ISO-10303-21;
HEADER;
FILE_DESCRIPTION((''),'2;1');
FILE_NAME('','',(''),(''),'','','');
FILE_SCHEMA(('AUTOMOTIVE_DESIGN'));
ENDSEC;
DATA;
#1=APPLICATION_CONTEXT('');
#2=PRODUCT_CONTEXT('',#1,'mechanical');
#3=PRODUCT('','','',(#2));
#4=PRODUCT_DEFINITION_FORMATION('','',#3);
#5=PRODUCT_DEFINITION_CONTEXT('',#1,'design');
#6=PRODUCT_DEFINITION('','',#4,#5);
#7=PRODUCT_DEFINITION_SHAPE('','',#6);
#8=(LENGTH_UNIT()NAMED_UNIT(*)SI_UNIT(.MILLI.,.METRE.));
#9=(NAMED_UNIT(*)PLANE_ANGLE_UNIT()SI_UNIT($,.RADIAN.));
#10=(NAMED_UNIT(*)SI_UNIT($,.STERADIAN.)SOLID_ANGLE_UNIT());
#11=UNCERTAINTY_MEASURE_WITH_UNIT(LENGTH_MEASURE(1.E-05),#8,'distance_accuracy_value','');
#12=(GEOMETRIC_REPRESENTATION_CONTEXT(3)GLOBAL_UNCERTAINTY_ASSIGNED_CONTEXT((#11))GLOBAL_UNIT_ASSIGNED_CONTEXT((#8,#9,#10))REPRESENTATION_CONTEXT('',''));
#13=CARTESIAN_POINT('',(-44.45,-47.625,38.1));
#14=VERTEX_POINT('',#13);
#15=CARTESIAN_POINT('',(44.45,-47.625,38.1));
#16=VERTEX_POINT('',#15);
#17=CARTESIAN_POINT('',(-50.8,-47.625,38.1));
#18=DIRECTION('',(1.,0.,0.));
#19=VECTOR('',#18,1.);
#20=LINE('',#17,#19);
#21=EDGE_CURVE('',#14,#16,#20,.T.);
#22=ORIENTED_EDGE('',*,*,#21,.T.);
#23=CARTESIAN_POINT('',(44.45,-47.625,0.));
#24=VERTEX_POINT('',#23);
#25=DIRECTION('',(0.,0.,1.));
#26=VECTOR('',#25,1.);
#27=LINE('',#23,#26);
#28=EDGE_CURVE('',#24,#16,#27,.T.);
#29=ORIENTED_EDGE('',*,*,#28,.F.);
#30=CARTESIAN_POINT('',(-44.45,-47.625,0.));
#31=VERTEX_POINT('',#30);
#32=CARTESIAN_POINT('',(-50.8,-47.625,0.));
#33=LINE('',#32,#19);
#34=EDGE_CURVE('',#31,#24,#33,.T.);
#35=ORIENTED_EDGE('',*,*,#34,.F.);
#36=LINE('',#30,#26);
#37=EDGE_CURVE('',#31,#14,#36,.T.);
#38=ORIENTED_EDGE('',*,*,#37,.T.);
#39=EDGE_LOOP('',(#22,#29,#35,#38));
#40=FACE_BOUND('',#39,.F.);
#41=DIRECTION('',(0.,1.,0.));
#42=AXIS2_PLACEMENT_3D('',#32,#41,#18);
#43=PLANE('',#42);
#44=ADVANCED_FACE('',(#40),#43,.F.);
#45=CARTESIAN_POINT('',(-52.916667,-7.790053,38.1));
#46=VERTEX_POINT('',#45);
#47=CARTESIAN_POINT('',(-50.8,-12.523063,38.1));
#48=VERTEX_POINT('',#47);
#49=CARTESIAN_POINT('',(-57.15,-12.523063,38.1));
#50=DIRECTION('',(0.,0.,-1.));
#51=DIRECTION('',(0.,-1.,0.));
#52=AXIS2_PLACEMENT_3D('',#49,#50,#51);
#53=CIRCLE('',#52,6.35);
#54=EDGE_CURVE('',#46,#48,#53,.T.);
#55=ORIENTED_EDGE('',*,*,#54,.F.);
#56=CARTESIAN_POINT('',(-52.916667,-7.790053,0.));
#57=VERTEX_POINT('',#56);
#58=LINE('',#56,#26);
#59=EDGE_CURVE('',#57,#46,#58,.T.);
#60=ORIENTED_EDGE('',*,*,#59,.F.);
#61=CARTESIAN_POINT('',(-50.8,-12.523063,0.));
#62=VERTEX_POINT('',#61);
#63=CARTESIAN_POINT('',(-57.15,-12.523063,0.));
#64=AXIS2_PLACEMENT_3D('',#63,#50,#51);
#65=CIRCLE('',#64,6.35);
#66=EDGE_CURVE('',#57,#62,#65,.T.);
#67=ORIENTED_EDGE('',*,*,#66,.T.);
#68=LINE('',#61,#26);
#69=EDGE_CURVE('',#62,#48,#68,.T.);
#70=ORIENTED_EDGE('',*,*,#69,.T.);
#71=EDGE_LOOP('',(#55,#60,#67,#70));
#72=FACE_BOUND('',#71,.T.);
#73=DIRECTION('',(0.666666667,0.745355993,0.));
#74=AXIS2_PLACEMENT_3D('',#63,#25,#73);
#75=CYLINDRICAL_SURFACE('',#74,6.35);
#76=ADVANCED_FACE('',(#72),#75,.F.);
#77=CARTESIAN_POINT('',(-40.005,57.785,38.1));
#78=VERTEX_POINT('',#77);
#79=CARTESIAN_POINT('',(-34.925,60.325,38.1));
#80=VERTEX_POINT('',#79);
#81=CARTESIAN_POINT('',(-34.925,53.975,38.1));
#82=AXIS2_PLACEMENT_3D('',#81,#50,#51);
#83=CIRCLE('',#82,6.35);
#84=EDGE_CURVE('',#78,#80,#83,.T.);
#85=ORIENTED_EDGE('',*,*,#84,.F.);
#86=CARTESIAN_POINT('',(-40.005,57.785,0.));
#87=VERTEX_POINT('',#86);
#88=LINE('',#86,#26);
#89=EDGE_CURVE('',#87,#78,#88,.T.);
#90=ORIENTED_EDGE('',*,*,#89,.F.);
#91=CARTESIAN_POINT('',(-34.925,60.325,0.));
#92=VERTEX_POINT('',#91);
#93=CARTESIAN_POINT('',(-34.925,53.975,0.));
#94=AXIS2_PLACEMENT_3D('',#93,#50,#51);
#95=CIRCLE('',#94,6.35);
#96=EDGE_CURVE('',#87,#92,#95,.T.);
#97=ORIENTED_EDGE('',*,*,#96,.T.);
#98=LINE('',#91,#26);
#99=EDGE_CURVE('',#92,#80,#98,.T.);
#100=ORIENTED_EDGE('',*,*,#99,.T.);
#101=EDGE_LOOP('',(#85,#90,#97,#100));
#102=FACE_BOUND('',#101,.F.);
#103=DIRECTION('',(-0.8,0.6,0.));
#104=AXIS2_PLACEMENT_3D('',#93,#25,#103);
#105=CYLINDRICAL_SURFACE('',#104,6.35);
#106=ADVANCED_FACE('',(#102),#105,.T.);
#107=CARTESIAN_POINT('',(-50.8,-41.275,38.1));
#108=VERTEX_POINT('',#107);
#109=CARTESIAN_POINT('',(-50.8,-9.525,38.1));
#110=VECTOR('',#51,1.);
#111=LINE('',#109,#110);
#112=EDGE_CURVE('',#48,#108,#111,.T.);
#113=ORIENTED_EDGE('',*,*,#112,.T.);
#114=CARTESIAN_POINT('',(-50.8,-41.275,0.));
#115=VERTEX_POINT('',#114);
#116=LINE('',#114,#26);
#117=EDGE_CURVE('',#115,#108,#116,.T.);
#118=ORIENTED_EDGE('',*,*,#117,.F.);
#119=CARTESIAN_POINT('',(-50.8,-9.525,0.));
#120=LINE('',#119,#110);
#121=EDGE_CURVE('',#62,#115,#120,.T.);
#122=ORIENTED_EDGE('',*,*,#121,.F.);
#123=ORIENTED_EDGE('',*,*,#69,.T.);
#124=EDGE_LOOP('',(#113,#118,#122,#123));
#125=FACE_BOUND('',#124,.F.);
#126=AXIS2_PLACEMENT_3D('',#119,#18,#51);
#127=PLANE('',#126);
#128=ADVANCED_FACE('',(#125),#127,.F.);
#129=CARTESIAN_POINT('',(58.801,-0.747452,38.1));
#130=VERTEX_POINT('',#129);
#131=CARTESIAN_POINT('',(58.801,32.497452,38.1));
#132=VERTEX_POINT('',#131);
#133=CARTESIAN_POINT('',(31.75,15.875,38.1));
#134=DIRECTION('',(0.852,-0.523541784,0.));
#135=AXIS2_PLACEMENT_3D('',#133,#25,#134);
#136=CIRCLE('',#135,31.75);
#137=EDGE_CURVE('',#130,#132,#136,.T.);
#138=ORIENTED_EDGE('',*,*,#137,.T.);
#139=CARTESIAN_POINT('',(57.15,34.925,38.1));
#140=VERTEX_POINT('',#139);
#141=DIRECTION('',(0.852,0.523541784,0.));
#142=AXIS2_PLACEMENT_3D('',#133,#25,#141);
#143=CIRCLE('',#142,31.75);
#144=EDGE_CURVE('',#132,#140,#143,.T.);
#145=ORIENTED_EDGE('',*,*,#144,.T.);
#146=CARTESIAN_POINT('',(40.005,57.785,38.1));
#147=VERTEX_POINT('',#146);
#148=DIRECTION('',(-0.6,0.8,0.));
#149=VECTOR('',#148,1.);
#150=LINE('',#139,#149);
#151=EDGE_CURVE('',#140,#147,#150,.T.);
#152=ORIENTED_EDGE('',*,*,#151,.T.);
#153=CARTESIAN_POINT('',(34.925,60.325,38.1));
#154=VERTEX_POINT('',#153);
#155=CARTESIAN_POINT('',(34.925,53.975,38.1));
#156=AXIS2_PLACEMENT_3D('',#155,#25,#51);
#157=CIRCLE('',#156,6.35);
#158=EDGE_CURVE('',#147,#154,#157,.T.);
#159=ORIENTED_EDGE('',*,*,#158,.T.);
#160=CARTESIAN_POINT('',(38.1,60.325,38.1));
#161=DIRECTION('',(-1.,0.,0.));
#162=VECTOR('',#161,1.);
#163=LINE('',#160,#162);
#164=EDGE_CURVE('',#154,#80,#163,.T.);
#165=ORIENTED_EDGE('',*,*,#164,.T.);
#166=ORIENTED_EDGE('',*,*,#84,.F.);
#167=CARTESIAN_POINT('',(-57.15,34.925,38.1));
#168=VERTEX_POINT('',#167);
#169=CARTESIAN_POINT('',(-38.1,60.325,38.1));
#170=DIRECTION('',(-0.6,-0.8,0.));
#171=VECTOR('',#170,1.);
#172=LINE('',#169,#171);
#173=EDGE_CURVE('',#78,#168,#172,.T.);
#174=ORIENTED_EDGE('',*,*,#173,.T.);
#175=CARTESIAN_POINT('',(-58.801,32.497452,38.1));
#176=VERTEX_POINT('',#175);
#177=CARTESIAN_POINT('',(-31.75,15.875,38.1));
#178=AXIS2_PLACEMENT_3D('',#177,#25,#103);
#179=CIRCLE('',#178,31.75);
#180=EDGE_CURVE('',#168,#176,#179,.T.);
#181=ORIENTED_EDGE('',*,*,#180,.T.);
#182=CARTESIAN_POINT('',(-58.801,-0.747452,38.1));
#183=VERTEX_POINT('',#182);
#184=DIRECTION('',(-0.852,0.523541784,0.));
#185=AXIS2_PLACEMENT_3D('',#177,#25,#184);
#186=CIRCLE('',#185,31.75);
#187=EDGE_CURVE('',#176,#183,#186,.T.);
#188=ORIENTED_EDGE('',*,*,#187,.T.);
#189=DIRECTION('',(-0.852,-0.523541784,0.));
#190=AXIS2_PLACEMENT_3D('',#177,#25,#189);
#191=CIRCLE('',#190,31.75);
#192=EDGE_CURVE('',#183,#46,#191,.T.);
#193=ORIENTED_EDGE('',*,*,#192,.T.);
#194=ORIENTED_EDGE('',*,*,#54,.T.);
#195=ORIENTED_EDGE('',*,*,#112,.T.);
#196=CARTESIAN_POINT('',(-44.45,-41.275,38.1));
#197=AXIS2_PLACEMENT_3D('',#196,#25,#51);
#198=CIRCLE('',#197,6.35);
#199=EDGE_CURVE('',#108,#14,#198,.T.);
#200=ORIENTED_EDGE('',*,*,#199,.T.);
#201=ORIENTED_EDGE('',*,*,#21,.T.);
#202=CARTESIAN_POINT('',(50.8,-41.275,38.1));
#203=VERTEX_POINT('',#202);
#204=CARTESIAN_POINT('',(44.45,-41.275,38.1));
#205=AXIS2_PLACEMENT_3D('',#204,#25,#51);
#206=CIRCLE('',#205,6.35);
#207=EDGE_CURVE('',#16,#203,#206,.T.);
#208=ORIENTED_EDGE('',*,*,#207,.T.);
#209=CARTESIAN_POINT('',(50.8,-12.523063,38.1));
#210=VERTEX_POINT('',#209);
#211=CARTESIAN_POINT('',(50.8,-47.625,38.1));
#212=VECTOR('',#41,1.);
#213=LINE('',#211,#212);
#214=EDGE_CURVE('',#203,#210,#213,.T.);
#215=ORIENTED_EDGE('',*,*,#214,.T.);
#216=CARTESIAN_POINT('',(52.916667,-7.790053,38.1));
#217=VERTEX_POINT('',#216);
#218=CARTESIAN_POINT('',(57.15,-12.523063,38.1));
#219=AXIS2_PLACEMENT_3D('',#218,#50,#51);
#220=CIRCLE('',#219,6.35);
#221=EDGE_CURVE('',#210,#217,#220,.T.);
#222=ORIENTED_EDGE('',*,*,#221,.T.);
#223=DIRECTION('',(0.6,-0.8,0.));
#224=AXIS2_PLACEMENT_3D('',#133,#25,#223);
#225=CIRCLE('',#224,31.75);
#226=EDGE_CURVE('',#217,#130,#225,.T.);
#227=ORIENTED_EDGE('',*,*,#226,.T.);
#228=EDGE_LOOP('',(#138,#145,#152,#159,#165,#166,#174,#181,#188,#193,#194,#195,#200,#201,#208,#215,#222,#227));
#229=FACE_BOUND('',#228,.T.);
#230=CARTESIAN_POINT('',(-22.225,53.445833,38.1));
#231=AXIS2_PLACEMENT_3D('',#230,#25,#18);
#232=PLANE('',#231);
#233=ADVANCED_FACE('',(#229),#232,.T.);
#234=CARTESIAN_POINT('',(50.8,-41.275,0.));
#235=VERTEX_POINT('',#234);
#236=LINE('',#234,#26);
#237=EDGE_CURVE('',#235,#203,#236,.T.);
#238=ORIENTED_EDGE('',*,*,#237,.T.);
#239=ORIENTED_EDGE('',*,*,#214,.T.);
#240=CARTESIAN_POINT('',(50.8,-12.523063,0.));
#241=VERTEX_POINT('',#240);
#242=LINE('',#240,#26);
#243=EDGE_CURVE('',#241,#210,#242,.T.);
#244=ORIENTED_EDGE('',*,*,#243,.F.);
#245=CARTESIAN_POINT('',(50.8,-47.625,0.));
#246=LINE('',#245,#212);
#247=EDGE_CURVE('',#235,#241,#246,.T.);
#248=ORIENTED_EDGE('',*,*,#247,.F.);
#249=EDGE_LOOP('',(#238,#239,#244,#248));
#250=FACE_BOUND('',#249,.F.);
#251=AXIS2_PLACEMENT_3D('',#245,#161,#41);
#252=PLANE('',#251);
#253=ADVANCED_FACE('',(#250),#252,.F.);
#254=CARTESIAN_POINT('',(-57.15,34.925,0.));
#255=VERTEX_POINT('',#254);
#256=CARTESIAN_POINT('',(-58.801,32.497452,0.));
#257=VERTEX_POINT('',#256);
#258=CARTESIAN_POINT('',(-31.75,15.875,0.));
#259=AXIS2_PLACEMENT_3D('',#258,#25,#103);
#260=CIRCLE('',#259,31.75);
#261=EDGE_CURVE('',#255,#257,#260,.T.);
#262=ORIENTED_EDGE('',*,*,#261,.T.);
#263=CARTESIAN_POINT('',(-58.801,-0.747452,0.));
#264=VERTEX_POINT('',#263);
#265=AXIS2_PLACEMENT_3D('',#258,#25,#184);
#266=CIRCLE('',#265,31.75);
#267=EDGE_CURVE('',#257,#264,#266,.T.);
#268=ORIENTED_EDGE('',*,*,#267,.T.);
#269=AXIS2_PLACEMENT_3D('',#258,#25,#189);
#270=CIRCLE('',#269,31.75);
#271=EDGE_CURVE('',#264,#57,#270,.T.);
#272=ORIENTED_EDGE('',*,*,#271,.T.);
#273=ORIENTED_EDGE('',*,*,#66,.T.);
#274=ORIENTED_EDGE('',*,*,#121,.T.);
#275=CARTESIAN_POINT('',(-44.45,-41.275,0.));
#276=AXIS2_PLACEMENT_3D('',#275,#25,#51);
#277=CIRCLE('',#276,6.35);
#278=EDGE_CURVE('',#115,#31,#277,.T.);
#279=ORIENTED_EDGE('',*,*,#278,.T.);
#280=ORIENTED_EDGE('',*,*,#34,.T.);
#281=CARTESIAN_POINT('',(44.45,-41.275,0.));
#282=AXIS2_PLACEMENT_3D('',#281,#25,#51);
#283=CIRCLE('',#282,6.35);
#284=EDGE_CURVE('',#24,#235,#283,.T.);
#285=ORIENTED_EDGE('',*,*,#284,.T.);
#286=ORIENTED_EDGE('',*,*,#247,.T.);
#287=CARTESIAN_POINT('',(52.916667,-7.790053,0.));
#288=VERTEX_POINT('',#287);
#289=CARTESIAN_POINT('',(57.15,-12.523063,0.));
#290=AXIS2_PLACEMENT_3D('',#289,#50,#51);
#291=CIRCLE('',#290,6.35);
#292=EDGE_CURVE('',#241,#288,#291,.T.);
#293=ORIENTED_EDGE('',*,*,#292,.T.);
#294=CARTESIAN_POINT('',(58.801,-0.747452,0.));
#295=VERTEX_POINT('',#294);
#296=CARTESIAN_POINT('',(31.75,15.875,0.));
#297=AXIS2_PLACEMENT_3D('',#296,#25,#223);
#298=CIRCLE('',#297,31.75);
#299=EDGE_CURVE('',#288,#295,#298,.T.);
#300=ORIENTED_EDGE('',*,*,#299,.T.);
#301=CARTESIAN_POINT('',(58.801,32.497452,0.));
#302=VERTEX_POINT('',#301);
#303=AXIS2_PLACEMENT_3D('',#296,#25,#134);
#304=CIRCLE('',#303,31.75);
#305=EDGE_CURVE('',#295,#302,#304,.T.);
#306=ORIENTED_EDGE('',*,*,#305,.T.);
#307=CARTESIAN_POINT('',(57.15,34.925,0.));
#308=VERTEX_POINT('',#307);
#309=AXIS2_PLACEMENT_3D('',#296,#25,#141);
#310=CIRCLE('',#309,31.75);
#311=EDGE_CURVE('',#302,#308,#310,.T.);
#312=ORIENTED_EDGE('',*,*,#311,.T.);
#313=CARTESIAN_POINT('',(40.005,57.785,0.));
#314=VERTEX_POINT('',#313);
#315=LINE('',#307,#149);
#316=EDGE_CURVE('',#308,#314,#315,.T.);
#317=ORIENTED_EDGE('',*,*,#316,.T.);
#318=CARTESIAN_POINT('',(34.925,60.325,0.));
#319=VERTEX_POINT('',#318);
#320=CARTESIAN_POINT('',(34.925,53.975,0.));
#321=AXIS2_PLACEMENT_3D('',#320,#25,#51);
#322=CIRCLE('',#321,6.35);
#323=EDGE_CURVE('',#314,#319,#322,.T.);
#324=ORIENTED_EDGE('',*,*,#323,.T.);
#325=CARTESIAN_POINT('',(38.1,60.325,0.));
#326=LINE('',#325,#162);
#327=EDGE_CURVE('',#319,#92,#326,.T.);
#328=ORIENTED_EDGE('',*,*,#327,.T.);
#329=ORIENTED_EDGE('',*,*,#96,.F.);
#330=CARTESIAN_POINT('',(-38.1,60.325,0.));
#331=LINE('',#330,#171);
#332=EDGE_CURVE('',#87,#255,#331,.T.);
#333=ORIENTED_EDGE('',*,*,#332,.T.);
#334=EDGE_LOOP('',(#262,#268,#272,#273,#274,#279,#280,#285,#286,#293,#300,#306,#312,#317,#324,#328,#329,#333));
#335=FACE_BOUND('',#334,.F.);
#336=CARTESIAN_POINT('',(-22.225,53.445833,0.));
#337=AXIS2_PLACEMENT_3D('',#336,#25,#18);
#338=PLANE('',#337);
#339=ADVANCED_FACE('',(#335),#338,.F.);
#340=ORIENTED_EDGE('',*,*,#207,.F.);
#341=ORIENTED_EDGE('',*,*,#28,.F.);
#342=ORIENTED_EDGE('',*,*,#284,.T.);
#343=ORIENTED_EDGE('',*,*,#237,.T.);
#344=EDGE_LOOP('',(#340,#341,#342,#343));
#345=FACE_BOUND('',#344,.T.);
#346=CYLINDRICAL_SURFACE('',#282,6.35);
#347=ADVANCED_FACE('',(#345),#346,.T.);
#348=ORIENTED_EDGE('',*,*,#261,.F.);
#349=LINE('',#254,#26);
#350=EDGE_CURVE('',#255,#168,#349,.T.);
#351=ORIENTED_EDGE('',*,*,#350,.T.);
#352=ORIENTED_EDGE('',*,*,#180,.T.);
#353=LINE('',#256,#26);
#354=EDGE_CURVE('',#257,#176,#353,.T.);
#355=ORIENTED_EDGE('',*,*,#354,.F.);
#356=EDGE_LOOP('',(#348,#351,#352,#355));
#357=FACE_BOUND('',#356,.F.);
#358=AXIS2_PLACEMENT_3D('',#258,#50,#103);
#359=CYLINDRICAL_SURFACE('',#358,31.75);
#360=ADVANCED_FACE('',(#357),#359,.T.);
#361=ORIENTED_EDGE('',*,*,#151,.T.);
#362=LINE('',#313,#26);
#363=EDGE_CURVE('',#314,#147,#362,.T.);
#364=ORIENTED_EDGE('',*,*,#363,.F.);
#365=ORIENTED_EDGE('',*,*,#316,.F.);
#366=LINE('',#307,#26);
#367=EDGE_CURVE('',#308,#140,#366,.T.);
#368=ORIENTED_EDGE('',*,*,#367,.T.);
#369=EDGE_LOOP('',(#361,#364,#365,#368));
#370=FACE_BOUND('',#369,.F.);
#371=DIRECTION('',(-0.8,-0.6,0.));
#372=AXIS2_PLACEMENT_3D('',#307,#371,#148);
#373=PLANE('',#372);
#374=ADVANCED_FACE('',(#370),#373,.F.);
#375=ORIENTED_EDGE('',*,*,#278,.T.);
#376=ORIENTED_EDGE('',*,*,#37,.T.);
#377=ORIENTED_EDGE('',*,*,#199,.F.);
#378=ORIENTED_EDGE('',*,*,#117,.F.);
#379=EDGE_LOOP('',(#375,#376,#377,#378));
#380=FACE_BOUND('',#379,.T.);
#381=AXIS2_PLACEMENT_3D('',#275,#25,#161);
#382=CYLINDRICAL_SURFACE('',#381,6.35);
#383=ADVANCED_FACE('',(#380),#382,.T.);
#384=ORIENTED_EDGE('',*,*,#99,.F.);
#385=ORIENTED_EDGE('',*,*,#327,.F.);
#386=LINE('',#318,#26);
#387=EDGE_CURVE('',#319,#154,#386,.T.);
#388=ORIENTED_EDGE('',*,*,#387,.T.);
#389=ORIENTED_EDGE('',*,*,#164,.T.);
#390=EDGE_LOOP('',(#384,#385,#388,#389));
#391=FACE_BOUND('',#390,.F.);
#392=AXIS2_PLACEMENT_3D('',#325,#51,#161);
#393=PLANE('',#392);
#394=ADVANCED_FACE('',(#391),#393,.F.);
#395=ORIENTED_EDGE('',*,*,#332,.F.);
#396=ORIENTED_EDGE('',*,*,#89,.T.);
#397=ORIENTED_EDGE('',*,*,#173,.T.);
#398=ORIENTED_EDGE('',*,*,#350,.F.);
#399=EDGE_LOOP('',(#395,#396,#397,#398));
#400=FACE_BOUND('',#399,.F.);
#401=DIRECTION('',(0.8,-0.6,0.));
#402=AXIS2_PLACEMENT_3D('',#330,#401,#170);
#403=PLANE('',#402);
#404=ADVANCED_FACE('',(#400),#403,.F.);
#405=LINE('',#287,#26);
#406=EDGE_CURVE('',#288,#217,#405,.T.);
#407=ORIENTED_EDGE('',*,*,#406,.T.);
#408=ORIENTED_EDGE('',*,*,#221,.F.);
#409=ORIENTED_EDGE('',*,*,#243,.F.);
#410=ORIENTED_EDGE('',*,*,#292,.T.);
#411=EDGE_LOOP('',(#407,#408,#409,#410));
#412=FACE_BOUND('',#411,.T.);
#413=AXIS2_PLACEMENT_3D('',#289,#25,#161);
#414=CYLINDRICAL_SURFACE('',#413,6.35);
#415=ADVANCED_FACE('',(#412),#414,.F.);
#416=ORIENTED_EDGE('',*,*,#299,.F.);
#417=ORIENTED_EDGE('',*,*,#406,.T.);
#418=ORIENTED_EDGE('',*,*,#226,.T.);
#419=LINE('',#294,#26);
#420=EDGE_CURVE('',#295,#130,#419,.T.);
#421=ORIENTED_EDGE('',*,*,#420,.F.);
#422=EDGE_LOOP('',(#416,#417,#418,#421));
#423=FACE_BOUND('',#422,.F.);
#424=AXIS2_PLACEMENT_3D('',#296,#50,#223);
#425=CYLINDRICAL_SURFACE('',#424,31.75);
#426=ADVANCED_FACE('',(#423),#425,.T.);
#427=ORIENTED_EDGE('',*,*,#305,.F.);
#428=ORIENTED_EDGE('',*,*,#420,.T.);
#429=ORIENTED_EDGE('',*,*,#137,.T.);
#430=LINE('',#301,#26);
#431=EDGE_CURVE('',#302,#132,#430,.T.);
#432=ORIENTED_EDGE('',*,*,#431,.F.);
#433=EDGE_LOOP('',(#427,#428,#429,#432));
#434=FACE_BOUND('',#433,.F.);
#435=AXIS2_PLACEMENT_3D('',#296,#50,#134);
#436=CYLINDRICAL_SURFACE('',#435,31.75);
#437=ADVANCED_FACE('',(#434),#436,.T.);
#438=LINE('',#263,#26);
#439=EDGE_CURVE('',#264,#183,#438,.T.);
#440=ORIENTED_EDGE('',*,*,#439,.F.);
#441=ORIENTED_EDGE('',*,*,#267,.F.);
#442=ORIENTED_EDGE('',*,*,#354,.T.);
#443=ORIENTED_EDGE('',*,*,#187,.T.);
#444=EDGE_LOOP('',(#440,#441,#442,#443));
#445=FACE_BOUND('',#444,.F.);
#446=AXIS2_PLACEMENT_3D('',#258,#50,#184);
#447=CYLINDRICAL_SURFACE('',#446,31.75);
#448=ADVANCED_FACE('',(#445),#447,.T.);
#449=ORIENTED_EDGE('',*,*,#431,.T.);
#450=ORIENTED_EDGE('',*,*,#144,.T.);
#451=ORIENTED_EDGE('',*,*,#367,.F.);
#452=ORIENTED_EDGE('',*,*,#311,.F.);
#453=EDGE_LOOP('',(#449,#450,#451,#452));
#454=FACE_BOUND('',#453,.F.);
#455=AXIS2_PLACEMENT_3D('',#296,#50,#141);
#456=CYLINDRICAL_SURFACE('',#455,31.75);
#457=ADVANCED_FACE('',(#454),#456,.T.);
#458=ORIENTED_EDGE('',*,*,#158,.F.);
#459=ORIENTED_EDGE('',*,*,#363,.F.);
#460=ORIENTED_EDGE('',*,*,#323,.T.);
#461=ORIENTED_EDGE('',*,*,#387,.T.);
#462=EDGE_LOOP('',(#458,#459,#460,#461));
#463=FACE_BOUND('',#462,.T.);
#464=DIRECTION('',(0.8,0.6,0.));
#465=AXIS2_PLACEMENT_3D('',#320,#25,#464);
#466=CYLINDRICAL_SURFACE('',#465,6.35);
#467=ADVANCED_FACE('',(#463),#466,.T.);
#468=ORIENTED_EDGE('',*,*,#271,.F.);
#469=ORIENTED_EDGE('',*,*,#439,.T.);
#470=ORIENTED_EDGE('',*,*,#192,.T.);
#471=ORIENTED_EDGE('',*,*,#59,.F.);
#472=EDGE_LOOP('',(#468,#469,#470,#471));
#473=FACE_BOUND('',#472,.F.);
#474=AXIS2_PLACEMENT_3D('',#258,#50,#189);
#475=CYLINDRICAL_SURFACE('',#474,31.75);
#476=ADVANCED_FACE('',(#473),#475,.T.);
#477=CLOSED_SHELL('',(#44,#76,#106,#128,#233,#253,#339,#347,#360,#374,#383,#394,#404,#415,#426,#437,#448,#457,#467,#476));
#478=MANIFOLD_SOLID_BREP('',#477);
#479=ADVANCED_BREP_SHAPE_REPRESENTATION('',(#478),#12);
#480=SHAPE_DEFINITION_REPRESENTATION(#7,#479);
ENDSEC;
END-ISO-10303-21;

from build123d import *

# Parameters (mm, degrees)
F1_DEPTH = 38.1
F2_R     = 6.35


with BuildPart() as f1:
    # F0 (on Top) → F1 (new body)
    with BuildSketch(Plane.XY):
        Polygon((-31.75, 47.625), (0, 47.625), (0, 60.325), (-38.1, 60.325), (-47.625, 47.625), align=None)
        Polygon((0, 47.625), (31.75, 47.625), (47.625, 47.625), (38.1, 60.325), (0, 60.325), align=None)
        with BuildLine():
            ThreePointArc((-57.15, 34.925), (-45.9490316571, 44.2730633142), (-31.75, 47.625))
            Line((-31.75, 47.625), (-47.625, 47.625))
            Line((-47.625, 47.625), (-57.15, 34.925))
        make_face()
        with BuildLine():
            Line((0, 34.925), (0, 47.625))
            Line((0, 47.625), (-31.75, 47.625))
            ThreePointArc((-31.75, 47.625), (-45.9490316571, 44.2730633142), (-57.15, 34.925))
            Line((-57.15, 34.925), (0, 34.925))
        make_face()
        with BuildLine():
            ThreePointArc((57.15, 34.925), (45.9490316571, 44.2730633142), (31.75, 47.625))
            Line((31.75, 47.625), (0, 47.625))
            Line((0, 47.625), (0, 34.925))
            Line((0, 34.925), (57.15, 34.925))
        make_face()
        with BuildLine():
            Line((47.625, 47.625), (31.75, 47.625))
            ThreePointArc((31.75, 47.625), (45.9490316571, 44.2730633142), (57.15, 34.925))
            Line((57.15, 34.925), (47.625, 47.625))
        make_face()
        with BuildLine():
            ThreePointArc((58.801, 32.4974516543), (58.0035730519, 33.7303185916), (57.15, 34.925))
            Line((57.15, 34.925), (0, 34.925))
            Line((0, 34.925), (-57.15, 34.925))
            ThreePointArc((-57.15, 34.925), (-58.0035730519, 33.7303185916), (-58.801, 32.4974516543))
            Line((-58.801, 32.4974516543), (-58.801, -0.7474516543))
            ThreePointArc((-58.801, -0.7474516543), (-55.2145879783, -5.513679506), (-50.8, -9.525))
            Line((-50.8, -9.525), (-50.8, -47.625))
            Line((-50.8, -47.625), (0, -47.625))
            Line((0, -47.625), (50.8, -47.625))
            Line((50.8, -47.625), (50.8, -9.525))
            ThreePointArc((50.8, -9.525), (55.2145879783, -5.513679506), (58.801, -0.7474516543))
            Line((58.801, -0.7474516543), (58.801, 32.4974516543))
        make_face()
        with BuildLine():
            ThreePointArc((58.801, -0.7474516543), (63.5, 15.875), (58.801, 32.4974516543))
            Line((58.801, 32.4974516543), (58.801, -0.7474516543))
        make_face()
        with BuildLine():
            Line((-58.801, -0.7474516543), (-58.801, 32.4974516543))
            ThreePointArc((-58.801, 32.4974516543), (-63.5, 15.875), (-58.801, -0.7474516543))
        make_face()
    extrude(amount=F1_DEPTH)

    # F2
    f2_edges = [f1.edges().sort_by_distance(p)[0] for p in [
        (-50.8, -47.625, 19.05),
        (50.8, -47.625, 19.05),
        (50.8, -9.525, 19.05),
        (-50.8, -9.525, 19.05),
        (-38.1, 60.325, 19.05),
        (38.1, 60.325, 19.05),
    ]]
    fillet(f2_edges, radius=F2_R)


solid = f1.part
